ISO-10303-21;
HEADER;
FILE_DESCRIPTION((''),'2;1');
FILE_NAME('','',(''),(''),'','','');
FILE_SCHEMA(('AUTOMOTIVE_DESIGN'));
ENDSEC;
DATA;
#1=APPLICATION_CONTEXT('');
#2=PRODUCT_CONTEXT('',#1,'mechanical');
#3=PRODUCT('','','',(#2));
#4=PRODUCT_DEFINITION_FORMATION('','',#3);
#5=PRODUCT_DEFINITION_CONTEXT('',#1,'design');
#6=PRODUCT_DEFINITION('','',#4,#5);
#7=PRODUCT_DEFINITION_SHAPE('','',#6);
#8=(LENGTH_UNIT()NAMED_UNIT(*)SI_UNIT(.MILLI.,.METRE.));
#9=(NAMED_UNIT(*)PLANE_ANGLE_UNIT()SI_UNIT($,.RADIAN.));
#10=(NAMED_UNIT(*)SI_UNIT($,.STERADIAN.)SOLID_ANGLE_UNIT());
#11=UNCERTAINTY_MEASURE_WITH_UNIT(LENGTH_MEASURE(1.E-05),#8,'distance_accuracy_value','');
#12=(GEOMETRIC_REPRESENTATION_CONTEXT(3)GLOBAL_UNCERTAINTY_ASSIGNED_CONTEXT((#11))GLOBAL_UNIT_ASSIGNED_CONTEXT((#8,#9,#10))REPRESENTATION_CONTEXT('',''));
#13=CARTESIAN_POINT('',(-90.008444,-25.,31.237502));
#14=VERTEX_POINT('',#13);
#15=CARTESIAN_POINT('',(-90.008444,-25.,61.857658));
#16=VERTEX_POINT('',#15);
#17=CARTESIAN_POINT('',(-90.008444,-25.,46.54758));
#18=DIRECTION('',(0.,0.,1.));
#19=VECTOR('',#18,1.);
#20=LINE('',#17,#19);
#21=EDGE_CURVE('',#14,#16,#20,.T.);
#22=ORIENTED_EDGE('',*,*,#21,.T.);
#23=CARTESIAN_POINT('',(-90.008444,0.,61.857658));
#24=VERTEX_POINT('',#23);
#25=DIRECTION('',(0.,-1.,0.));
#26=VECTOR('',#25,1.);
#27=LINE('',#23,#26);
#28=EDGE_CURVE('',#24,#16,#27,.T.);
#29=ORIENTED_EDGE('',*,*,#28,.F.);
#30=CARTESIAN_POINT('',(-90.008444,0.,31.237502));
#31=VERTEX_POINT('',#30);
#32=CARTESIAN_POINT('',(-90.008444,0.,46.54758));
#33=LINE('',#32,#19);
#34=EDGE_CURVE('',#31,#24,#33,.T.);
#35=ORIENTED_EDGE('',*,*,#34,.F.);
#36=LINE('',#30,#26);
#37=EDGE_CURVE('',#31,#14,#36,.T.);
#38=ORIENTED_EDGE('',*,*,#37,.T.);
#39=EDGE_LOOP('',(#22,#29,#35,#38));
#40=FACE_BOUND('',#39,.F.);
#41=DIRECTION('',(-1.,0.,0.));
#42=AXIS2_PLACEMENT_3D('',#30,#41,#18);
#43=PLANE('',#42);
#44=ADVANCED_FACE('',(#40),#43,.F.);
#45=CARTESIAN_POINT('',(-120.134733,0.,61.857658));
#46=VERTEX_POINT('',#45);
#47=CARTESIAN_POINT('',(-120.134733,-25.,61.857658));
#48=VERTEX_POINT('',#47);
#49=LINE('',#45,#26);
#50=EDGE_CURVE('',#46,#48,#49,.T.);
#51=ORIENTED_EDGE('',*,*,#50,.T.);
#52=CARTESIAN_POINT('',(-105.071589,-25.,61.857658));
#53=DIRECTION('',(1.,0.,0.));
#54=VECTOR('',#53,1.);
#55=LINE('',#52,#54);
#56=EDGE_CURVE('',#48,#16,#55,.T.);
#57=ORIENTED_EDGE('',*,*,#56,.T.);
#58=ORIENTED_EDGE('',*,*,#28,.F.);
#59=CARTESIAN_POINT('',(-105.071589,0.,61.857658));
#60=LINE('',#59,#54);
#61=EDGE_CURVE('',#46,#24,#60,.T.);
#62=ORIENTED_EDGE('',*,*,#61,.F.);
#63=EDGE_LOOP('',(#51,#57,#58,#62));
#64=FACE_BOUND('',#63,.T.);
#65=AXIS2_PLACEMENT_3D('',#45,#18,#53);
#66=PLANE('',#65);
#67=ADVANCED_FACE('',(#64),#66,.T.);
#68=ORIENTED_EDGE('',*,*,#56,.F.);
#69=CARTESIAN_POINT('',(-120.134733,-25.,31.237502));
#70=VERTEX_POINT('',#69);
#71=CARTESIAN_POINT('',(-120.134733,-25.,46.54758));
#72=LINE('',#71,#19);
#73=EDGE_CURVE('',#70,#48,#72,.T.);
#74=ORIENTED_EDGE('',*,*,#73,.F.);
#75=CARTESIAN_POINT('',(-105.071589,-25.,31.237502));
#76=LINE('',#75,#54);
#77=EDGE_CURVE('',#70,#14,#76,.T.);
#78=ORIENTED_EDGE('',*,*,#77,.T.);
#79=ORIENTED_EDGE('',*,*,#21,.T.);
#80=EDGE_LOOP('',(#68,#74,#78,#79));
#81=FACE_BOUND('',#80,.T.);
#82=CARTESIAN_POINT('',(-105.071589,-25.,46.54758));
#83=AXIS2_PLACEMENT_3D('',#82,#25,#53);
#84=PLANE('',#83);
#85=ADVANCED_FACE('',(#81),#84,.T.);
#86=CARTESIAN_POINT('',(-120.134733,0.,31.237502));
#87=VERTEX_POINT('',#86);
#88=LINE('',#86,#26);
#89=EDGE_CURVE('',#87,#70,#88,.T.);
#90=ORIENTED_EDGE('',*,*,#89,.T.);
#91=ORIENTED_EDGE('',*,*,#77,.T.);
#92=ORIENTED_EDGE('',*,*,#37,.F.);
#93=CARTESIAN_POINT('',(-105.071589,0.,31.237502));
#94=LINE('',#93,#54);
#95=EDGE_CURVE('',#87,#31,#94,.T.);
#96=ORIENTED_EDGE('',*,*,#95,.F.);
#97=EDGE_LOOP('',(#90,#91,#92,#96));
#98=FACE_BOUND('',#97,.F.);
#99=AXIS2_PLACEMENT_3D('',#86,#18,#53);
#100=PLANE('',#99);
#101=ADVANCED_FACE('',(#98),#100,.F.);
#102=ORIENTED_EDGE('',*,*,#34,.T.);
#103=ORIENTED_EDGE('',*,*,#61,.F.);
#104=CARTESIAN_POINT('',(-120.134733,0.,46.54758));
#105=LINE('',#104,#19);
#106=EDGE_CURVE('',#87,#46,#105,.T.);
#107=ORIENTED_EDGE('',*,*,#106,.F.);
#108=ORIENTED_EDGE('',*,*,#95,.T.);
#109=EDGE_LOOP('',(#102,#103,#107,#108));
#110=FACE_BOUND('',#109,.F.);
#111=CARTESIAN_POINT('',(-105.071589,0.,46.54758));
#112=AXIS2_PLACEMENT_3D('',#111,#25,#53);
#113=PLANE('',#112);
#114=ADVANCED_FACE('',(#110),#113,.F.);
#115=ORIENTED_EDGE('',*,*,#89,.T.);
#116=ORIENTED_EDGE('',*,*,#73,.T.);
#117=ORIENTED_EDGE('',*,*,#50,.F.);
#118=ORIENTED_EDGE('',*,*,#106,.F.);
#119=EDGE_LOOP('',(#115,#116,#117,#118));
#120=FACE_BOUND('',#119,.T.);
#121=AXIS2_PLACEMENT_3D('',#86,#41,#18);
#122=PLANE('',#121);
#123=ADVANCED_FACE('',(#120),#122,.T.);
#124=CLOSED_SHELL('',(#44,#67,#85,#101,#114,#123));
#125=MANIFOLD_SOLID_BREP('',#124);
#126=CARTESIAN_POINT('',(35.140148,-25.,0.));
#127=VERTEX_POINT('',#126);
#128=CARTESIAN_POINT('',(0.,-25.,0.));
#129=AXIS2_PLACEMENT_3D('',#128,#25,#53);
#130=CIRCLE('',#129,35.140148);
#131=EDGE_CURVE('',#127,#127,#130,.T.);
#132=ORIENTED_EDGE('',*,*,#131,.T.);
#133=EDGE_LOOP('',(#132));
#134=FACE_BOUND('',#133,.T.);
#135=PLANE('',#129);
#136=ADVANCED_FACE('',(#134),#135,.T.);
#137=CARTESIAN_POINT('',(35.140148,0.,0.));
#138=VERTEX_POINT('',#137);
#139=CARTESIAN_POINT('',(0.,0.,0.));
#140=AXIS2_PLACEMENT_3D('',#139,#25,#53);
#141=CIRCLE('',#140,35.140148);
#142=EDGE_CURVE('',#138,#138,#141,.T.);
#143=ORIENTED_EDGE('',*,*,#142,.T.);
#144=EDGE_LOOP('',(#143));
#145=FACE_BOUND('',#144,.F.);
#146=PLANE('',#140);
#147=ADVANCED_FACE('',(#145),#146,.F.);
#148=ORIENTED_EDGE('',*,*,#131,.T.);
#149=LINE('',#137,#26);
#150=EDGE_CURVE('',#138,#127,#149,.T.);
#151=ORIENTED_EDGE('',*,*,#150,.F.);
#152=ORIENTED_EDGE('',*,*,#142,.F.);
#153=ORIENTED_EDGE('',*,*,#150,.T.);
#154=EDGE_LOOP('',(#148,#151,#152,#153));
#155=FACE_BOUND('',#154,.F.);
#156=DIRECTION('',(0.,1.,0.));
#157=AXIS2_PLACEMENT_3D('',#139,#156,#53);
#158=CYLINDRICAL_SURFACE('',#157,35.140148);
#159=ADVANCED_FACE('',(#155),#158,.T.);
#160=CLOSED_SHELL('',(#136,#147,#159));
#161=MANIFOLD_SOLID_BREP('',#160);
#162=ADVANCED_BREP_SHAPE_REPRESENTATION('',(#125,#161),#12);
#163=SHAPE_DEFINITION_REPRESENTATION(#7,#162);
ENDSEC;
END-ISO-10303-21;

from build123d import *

# Parameters (mm, degrees)
F0_R     = 35.140148
F1_DEPTH = 25
F2_W     = 30.126289
F2_H     = 30.620157
F3_DEPTH = 25


with BuildPart() as f1:
    # F0 (on Front) → F1 (new body)
    with BuildSketch(Plane.XZ):
        Circle(F0_R)
    extrude(amount=F1_DEPTH)


with BuildPart() as f3:
    # F2 (on Front) → F3 (new body)
    with BuildSketch(Plane.XZ):
        with Locations((-105.071589, 46.54758)):
            Rectangle(F2_W, F2_H)
    extrude(amount=F3_DEPTH)


solid = Compound([f1.part, f3.part])
